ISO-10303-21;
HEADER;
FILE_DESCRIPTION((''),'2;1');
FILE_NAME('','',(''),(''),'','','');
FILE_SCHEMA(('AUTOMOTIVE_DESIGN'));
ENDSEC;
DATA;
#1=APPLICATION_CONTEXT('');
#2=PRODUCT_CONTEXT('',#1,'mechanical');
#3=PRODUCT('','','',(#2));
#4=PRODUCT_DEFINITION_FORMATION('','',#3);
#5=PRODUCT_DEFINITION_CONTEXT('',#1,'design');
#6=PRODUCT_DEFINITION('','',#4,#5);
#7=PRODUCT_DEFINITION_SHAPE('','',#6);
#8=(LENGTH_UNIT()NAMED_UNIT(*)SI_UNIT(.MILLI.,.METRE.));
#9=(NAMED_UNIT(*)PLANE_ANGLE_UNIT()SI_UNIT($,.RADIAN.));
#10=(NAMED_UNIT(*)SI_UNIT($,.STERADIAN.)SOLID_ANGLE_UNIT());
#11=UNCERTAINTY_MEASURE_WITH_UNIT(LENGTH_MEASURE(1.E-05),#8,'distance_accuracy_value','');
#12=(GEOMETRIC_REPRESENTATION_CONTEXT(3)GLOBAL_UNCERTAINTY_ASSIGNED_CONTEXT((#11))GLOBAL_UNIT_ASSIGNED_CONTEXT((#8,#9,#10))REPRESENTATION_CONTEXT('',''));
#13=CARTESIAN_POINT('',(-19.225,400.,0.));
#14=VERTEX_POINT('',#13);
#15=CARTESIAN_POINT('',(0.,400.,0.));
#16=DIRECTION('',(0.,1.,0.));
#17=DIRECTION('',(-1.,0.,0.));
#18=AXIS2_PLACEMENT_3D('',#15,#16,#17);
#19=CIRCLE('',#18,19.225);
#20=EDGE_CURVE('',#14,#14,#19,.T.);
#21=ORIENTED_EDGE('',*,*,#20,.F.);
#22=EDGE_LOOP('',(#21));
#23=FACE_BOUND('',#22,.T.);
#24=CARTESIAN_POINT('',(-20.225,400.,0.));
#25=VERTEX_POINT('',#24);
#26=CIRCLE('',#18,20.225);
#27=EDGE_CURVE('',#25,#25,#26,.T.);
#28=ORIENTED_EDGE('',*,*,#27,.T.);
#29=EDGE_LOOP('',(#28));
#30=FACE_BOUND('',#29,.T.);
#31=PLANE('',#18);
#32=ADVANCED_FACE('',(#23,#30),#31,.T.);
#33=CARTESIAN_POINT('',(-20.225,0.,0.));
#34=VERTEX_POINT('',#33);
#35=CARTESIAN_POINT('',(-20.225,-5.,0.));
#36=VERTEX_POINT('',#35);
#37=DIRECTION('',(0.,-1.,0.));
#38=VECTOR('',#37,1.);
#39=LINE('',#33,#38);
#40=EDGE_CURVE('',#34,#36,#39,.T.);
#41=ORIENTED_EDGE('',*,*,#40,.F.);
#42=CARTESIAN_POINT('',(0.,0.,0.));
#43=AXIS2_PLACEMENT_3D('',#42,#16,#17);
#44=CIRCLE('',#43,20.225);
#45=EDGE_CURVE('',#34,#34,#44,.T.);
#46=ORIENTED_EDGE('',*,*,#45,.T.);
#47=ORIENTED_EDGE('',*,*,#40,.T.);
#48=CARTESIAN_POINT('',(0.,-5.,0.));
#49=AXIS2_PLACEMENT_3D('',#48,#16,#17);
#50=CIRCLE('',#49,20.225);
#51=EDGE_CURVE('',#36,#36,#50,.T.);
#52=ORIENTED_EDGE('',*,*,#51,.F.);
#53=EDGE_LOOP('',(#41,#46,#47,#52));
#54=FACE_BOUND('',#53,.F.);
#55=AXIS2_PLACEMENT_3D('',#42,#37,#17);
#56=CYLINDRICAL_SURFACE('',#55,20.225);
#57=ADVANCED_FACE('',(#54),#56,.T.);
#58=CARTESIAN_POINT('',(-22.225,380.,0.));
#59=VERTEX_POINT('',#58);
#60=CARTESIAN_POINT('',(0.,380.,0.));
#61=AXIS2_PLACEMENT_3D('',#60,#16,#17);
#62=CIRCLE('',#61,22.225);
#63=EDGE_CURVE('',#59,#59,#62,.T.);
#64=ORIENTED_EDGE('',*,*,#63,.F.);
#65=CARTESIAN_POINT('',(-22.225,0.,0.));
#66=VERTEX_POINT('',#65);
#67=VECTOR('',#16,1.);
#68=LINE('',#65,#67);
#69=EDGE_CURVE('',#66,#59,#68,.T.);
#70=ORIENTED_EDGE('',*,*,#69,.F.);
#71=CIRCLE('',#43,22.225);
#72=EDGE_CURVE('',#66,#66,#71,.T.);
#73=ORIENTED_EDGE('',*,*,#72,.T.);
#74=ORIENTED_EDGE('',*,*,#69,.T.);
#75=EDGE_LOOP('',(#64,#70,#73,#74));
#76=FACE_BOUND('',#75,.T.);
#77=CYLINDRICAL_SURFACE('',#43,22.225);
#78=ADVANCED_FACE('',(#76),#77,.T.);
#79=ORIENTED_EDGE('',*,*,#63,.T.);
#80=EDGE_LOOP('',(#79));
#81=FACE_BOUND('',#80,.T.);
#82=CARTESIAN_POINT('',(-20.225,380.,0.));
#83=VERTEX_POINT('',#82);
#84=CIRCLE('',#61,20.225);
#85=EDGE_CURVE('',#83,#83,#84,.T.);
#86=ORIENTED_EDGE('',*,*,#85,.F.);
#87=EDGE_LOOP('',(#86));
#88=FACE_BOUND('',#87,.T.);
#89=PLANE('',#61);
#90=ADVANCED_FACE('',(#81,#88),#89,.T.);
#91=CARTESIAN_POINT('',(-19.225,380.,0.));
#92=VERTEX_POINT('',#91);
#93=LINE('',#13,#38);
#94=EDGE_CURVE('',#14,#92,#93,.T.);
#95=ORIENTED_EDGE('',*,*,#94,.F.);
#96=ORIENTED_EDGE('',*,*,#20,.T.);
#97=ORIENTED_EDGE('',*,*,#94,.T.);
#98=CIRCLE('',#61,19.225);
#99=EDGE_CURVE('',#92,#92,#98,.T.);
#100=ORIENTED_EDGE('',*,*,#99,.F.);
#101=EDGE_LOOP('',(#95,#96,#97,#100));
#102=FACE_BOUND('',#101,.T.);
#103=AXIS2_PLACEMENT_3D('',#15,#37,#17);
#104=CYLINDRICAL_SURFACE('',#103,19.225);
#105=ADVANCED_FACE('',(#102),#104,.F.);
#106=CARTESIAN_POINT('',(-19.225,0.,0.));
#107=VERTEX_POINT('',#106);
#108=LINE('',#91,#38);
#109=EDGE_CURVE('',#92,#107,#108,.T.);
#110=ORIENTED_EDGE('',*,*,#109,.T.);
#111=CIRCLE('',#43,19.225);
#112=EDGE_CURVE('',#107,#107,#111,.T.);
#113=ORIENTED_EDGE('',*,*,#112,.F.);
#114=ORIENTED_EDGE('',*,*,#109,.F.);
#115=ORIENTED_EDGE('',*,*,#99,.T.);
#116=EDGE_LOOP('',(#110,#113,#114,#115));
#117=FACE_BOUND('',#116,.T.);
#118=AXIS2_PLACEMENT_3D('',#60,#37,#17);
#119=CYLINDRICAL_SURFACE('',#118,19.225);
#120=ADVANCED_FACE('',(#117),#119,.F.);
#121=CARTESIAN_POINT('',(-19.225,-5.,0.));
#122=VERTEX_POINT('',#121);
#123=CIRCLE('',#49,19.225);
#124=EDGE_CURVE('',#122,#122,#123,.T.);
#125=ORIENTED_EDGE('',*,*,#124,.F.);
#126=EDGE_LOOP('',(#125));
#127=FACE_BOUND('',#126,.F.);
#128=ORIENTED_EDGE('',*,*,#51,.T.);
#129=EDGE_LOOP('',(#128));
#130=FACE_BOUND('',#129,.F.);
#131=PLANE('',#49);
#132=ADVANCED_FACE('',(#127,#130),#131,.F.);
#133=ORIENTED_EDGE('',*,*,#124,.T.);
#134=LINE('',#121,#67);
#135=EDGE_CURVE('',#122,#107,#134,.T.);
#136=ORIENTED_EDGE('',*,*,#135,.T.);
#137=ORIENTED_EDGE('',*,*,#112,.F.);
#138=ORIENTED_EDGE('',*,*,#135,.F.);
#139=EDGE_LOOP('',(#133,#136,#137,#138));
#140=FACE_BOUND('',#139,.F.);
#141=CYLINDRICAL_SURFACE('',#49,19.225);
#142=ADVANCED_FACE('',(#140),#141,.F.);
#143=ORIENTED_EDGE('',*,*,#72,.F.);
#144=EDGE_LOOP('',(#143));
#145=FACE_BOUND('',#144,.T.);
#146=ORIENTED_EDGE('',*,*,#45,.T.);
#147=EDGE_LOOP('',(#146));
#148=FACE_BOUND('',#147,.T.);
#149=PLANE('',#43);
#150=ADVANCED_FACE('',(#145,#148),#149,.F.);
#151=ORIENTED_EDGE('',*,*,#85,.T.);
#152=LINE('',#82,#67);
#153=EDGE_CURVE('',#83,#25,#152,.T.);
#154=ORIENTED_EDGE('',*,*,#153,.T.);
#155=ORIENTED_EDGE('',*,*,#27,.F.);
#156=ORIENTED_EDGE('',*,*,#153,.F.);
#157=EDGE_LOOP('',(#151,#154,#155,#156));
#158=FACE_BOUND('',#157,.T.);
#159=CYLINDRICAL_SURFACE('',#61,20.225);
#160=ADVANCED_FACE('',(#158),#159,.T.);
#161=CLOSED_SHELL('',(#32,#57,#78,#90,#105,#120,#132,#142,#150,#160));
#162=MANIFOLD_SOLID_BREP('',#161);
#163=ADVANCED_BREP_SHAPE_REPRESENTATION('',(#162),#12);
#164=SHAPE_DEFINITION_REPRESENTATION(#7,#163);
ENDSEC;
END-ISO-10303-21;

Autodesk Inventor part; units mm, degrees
ref_plane "YZ Plane" through (0, 0, 0) normal (1, 0, 0) x (0, 1, 0)
ref_plane "XZ Plane" through (0, 0, 0) normal (0, 1, 0) x (-1, 0, 0)
ref_plane "XY Plane" through (0, 0, 0) normal (0, 0, 1) x (1, 0, 0)
sketch "Sketch1" plane through (0, 0, 0) normal (0, 0, 1) x (1, 0, 0)
  line L0 (-19.225, 0) -> (-22.225, 0)
  line L1 (-22.225, 0) -> (-22.225, 380)
  line L2 (-22.225, 380) -> (-19.225, 380)
  line L3 (-19.225, 380) -> (-19.225, 0)
  line L4 (0, -86) -> (0, 481) projected
  line L5 (-19.225, 380) -> (-20.225, 380)
  line L6 (-20.225, 380) -> (-20.225, 400)
  line L7 (-20.225, 400) -> (-19.225, 400)
  line L8 (-19.225, 400) -> (-19.225, 380)
  line L9 (-19.225, 0) -> (-20.225, 0)
  line L10 (-20.225, 0) -> (-20.225, -5)
  line L11 (-20.225, -5) -> (-19.225, -5)
  line L12 (-19.225, -5) -> (-19.225, 0)
  point P0 (0, 0)
  point P1 (-20.225, 0)
  dimension "d0" = 22.225
  dimension "d1" = 3
  dimension "d2" = 380
  dimension "d4" = 1
  dimension "d5" = 20
  dimension "d6" = 1
  dimension "d7" = 5
revolve "Revolution1" add sketch "Sketch1" angle 360 about axis through (0, -10, 0) along (0, 1, 0)
properties part number "BodyCylinder" material "Brass"
